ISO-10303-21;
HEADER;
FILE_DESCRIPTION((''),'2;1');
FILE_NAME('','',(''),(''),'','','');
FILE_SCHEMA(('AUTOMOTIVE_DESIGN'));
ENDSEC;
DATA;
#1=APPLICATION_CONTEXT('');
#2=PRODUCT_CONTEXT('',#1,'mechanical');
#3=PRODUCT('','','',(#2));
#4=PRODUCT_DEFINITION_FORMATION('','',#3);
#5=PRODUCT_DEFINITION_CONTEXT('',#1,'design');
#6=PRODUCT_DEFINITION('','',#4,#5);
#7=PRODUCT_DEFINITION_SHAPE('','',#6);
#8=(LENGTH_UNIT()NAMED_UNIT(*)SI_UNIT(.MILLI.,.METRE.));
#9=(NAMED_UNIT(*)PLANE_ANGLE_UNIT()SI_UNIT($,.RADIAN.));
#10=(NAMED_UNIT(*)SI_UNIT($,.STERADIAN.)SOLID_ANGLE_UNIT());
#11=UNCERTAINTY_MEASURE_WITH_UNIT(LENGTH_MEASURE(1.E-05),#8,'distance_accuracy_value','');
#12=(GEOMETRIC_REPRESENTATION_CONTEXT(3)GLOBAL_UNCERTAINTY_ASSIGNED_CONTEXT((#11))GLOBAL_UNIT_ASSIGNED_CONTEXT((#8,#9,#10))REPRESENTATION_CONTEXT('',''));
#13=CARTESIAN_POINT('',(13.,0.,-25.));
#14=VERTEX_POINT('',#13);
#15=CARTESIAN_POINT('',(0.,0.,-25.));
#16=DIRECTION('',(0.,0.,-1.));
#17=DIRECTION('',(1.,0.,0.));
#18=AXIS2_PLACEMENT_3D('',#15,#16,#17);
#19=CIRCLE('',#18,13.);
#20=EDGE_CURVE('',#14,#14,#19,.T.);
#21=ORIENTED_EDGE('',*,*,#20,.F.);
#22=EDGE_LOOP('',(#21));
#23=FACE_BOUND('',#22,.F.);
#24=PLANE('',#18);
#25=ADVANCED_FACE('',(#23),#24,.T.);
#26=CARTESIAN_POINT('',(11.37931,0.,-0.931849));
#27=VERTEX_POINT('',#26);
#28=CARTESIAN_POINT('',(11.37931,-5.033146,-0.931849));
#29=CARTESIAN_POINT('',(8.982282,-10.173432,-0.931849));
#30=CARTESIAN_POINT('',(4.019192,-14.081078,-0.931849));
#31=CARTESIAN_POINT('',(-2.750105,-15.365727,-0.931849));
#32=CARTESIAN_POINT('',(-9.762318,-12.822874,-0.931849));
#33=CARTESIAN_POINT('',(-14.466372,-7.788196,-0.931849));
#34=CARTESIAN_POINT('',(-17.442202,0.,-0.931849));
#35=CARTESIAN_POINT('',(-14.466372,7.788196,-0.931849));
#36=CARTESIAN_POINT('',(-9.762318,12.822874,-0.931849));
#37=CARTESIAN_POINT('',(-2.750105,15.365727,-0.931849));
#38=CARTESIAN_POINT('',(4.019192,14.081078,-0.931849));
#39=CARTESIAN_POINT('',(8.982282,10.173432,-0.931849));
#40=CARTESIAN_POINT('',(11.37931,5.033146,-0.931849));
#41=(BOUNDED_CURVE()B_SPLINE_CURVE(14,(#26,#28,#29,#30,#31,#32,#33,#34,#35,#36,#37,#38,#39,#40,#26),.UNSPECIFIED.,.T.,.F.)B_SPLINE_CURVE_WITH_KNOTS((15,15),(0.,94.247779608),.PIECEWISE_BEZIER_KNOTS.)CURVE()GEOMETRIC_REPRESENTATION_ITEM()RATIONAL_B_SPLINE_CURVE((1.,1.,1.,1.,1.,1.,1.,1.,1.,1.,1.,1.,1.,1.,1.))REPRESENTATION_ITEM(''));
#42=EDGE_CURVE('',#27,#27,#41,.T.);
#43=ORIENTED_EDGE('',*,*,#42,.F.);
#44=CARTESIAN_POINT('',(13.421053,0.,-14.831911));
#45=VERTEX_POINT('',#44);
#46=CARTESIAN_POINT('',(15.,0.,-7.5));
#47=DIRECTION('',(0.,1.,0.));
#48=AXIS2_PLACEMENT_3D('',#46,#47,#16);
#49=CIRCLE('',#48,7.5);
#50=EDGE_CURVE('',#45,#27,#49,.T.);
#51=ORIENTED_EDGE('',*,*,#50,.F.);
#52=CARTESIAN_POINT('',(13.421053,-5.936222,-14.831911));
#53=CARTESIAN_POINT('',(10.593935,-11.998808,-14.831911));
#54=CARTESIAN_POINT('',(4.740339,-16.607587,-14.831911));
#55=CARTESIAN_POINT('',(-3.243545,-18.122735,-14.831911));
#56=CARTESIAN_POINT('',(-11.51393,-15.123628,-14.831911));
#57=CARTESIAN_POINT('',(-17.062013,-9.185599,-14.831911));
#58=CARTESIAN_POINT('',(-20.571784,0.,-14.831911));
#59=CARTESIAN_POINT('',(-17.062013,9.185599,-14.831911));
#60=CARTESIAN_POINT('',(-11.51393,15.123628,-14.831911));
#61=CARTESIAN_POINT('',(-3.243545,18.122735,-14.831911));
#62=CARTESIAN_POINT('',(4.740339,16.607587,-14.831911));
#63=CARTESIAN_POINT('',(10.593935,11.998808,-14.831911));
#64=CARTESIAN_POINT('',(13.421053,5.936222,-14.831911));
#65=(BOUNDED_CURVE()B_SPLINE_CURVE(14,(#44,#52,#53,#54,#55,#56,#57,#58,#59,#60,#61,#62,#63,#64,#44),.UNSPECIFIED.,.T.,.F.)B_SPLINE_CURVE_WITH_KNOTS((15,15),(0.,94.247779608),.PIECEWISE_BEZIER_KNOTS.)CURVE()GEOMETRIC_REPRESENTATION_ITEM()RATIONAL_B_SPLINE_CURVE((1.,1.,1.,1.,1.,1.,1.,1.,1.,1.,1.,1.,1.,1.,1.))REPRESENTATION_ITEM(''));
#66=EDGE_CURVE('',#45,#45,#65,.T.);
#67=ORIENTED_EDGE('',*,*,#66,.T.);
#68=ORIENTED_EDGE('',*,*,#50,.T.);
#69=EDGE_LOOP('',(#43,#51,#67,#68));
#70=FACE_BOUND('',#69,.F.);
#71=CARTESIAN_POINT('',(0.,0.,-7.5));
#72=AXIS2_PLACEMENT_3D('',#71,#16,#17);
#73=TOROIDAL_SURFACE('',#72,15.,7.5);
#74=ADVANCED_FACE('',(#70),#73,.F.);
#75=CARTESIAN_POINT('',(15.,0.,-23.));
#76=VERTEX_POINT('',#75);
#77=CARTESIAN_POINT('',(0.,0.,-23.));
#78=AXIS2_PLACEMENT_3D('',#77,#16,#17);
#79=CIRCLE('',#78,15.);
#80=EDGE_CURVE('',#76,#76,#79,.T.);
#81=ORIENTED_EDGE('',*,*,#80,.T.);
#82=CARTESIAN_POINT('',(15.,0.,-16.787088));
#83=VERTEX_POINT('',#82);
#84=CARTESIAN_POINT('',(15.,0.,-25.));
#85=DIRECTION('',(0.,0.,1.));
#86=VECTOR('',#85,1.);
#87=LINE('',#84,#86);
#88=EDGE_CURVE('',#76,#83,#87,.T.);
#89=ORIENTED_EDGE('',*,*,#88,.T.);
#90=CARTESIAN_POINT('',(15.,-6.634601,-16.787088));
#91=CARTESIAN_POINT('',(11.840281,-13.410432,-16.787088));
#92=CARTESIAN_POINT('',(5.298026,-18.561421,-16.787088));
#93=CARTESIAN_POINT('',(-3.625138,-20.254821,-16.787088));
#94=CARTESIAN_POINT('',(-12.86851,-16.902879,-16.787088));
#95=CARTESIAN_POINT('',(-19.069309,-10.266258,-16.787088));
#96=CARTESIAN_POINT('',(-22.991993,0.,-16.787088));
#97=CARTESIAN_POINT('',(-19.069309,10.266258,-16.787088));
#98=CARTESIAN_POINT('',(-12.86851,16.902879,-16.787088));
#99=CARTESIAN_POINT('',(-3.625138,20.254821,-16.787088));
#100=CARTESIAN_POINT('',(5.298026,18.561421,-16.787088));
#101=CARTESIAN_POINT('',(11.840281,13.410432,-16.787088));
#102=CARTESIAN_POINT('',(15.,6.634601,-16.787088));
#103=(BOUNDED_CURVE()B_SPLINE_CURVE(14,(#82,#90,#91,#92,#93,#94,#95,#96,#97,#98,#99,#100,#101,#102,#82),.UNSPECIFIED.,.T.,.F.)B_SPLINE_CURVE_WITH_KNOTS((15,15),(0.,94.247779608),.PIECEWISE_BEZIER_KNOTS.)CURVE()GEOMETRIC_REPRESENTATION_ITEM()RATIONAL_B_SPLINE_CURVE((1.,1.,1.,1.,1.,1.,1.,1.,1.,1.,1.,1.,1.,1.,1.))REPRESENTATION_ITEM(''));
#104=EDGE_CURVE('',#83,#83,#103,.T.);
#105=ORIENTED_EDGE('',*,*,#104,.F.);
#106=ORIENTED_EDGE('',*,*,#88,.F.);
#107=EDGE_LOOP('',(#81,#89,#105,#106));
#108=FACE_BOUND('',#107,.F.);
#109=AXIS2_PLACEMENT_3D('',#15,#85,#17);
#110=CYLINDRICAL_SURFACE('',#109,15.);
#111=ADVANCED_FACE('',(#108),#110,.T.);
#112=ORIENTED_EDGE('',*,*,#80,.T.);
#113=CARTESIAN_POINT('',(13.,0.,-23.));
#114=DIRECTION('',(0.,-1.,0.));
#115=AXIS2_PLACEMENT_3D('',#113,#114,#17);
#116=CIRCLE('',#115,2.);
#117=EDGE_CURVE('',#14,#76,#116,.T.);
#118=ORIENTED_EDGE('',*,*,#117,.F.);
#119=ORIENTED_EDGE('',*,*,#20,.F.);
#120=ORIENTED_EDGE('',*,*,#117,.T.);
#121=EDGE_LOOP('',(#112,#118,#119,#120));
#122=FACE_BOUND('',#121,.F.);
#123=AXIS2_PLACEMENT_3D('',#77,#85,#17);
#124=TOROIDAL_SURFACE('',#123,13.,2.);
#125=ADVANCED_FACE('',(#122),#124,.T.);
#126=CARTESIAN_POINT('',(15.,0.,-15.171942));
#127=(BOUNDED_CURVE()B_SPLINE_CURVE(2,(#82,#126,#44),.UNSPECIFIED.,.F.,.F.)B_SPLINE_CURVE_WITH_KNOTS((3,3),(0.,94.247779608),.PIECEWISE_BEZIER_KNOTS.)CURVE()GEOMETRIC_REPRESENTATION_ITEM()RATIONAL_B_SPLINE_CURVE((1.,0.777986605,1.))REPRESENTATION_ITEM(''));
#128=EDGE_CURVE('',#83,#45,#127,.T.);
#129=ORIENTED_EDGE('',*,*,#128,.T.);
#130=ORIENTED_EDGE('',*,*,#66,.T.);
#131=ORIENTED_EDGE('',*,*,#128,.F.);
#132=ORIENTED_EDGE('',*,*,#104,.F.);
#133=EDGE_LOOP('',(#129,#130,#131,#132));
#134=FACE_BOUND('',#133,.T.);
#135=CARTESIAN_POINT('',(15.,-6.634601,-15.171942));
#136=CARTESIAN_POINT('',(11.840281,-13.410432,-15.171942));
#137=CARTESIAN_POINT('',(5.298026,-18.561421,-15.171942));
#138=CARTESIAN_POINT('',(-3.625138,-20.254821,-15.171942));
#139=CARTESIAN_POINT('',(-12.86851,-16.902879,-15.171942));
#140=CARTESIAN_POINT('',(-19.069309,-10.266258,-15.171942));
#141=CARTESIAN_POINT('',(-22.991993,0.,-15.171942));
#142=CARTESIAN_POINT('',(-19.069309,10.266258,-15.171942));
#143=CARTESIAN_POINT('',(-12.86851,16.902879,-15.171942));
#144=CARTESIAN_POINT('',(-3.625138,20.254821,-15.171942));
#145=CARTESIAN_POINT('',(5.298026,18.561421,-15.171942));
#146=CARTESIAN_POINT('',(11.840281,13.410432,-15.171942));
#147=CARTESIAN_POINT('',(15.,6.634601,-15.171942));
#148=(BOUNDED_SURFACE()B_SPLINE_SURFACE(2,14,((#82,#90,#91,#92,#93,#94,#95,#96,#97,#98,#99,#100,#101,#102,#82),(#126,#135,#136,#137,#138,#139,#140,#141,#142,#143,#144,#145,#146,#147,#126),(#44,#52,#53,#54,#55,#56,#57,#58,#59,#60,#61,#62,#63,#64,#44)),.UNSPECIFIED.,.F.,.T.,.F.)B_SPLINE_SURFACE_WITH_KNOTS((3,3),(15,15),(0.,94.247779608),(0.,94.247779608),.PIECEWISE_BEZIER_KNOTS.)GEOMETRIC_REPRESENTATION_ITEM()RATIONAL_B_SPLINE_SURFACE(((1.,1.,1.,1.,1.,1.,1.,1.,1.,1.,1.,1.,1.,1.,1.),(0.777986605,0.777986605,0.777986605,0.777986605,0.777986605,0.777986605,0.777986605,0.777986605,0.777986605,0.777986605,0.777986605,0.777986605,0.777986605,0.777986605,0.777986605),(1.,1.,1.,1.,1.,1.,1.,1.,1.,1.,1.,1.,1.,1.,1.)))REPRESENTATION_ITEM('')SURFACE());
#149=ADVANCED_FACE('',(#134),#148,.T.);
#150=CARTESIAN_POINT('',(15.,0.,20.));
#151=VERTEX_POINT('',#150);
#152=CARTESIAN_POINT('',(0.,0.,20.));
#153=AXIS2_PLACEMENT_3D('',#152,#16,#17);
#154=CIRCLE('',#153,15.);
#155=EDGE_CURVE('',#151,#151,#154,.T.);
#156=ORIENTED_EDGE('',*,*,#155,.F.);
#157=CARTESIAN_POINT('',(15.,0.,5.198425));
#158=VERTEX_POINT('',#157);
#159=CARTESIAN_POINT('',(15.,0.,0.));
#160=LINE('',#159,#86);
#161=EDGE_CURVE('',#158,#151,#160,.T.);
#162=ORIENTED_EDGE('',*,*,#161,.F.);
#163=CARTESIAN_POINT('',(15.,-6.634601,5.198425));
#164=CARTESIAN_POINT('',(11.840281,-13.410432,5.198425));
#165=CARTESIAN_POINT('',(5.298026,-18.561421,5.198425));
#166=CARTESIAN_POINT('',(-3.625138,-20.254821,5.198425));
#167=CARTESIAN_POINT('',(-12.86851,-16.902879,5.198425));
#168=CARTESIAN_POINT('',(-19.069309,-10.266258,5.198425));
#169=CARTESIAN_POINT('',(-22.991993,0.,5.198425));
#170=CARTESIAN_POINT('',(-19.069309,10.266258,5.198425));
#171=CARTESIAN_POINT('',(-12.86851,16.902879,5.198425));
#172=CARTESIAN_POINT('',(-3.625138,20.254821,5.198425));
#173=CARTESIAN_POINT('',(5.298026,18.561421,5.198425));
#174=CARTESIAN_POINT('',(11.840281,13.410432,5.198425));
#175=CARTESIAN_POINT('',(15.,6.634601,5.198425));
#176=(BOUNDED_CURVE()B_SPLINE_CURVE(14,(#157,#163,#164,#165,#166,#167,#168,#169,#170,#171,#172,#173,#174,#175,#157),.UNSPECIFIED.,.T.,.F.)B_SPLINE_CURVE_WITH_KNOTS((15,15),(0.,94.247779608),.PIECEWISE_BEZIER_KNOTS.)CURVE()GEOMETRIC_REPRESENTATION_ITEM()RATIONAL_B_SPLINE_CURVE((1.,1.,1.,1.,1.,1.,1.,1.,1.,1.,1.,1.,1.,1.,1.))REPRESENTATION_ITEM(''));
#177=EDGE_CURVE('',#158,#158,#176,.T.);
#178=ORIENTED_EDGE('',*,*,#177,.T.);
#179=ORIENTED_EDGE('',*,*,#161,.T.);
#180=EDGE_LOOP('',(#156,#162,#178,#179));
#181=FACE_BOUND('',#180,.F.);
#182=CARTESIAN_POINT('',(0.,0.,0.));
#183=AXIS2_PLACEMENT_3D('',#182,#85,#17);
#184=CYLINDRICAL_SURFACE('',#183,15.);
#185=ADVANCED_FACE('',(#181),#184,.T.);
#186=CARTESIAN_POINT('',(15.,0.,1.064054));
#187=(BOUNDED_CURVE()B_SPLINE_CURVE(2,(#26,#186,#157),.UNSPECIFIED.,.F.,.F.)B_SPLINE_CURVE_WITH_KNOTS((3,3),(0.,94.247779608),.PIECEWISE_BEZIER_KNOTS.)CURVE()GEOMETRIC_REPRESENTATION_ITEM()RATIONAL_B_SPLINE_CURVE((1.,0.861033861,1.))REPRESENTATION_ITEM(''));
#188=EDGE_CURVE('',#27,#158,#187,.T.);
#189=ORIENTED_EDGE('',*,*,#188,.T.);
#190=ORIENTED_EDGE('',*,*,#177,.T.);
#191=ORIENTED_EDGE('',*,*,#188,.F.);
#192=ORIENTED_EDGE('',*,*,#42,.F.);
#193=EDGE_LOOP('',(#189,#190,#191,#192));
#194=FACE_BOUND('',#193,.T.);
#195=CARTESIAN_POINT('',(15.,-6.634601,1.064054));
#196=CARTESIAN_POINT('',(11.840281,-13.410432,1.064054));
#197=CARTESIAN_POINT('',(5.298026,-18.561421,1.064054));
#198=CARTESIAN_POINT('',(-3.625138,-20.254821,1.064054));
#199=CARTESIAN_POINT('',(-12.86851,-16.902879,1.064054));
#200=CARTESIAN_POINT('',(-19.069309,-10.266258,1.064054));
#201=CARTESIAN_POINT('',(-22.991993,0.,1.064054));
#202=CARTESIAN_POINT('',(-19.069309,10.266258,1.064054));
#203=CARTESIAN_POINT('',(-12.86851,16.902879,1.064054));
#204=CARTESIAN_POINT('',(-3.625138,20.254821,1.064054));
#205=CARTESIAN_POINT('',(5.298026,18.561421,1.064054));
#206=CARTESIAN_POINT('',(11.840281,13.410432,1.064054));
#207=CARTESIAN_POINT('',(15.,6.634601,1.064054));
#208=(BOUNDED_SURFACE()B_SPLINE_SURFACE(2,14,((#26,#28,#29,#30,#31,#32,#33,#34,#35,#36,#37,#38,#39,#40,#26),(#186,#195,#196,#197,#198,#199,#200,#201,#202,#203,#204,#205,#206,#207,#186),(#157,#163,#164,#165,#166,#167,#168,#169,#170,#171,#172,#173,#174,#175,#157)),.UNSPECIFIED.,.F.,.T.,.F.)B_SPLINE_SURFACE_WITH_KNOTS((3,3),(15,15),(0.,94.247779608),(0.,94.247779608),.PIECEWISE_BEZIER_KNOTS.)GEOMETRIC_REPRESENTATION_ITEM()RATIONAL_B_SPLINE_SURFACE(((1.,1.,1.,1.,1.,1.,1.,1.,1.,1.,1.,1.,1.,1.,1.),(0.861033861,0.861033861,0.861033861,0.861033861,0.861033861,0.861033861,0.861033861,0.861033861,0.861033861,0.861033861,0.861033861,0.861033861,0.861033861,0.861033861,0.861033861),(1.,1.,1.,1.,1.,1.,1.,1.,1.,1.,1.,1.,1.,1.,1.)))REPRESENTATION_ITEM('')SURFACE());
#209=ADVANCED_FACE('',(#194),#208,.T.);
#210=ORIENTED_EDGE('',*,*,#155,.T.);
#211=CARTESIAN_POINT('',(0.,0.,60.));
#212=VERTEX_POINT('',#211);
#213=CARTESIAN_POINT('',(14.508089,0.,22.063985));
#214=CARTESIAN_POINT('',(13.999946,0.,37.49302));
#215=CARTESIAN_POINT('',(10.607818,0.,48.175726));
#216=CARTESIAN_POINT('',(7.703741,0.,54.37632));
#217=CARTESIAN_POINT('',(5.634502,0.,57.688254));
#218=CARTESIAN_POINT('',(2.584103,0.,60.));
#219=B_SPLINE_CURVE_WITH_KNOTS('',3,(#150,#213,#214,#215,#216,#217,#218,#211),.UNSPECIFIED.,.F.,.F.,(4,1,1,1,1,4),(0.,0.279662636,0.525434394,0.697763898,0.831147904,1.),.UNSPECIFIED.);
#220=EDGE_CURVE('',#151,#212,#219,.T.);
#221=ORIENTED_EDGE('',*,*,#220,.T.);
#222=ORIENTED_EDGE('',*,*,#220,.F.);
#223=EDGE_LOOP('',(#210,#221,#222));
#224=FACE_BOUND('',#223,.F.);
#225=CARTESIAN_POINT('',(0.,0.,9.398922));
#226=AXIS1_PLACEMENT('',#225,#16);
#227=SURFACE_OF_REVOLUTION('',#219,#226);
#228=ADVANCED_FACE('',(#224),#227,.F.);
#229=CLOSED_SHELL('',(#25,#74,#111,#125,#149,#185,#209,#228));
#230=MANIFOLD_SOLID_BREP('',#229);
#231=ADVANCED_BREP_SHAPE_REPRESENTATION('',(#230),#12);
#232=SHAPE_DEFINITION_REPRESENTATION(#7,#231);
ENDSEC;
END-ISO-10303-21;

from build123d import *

# Parameters (mm, degrees)
F2_R = 2
F3_R = 7


with BuildPart() as f1:
    # F0 (on Front) → F1 (revolve)
    with BuildSketch(Plane.XZ):
        with BuildLine():
            Line((15, 0), (15, 20))
            add(Edge.make_bspline(
                [(15, 20), (14.5080885538, 22.063984506), (13.9999463782, 37.4930197538), (10.6078177215, 48.1757262572), (7.7037410613, 54.3763197541), (5.6345020381, 57.6882536536), (2.5841033515, 60), (0, 60)],
                knots=[0, 0, 0, 0, 0.2796626362, 0.525434394, 0.6977638983, 0.8311479045, 1, 1, 1, 1], degree=3))
            Line((0, 60), (0, -25))
            Line((0, -25), (15, -25))
            Line((15, -25), (15, -15))
            ThreePointArc((15, -15), (7.5, -7.5), (15, 0))
        make_face()
    revolve(axis=Axis((0, 0, 9.3989223242), (0, 0, -1)))

    # F2
    f2_edges = [f1.edges().sort_by_distance(p)[0] for p in [
        (-15, 0, -15),
        (-15, 0, -25),
    ]]
    fillet(f2_edges, radius=F2_R)

    # F3
    f3_edges = [f1.edges().sort_by_distance(p)[0] for p in [
        (-15, 0, 0),
    ]]
    fillet(f3_edges, radius=F3_R)


solid = f1.part
